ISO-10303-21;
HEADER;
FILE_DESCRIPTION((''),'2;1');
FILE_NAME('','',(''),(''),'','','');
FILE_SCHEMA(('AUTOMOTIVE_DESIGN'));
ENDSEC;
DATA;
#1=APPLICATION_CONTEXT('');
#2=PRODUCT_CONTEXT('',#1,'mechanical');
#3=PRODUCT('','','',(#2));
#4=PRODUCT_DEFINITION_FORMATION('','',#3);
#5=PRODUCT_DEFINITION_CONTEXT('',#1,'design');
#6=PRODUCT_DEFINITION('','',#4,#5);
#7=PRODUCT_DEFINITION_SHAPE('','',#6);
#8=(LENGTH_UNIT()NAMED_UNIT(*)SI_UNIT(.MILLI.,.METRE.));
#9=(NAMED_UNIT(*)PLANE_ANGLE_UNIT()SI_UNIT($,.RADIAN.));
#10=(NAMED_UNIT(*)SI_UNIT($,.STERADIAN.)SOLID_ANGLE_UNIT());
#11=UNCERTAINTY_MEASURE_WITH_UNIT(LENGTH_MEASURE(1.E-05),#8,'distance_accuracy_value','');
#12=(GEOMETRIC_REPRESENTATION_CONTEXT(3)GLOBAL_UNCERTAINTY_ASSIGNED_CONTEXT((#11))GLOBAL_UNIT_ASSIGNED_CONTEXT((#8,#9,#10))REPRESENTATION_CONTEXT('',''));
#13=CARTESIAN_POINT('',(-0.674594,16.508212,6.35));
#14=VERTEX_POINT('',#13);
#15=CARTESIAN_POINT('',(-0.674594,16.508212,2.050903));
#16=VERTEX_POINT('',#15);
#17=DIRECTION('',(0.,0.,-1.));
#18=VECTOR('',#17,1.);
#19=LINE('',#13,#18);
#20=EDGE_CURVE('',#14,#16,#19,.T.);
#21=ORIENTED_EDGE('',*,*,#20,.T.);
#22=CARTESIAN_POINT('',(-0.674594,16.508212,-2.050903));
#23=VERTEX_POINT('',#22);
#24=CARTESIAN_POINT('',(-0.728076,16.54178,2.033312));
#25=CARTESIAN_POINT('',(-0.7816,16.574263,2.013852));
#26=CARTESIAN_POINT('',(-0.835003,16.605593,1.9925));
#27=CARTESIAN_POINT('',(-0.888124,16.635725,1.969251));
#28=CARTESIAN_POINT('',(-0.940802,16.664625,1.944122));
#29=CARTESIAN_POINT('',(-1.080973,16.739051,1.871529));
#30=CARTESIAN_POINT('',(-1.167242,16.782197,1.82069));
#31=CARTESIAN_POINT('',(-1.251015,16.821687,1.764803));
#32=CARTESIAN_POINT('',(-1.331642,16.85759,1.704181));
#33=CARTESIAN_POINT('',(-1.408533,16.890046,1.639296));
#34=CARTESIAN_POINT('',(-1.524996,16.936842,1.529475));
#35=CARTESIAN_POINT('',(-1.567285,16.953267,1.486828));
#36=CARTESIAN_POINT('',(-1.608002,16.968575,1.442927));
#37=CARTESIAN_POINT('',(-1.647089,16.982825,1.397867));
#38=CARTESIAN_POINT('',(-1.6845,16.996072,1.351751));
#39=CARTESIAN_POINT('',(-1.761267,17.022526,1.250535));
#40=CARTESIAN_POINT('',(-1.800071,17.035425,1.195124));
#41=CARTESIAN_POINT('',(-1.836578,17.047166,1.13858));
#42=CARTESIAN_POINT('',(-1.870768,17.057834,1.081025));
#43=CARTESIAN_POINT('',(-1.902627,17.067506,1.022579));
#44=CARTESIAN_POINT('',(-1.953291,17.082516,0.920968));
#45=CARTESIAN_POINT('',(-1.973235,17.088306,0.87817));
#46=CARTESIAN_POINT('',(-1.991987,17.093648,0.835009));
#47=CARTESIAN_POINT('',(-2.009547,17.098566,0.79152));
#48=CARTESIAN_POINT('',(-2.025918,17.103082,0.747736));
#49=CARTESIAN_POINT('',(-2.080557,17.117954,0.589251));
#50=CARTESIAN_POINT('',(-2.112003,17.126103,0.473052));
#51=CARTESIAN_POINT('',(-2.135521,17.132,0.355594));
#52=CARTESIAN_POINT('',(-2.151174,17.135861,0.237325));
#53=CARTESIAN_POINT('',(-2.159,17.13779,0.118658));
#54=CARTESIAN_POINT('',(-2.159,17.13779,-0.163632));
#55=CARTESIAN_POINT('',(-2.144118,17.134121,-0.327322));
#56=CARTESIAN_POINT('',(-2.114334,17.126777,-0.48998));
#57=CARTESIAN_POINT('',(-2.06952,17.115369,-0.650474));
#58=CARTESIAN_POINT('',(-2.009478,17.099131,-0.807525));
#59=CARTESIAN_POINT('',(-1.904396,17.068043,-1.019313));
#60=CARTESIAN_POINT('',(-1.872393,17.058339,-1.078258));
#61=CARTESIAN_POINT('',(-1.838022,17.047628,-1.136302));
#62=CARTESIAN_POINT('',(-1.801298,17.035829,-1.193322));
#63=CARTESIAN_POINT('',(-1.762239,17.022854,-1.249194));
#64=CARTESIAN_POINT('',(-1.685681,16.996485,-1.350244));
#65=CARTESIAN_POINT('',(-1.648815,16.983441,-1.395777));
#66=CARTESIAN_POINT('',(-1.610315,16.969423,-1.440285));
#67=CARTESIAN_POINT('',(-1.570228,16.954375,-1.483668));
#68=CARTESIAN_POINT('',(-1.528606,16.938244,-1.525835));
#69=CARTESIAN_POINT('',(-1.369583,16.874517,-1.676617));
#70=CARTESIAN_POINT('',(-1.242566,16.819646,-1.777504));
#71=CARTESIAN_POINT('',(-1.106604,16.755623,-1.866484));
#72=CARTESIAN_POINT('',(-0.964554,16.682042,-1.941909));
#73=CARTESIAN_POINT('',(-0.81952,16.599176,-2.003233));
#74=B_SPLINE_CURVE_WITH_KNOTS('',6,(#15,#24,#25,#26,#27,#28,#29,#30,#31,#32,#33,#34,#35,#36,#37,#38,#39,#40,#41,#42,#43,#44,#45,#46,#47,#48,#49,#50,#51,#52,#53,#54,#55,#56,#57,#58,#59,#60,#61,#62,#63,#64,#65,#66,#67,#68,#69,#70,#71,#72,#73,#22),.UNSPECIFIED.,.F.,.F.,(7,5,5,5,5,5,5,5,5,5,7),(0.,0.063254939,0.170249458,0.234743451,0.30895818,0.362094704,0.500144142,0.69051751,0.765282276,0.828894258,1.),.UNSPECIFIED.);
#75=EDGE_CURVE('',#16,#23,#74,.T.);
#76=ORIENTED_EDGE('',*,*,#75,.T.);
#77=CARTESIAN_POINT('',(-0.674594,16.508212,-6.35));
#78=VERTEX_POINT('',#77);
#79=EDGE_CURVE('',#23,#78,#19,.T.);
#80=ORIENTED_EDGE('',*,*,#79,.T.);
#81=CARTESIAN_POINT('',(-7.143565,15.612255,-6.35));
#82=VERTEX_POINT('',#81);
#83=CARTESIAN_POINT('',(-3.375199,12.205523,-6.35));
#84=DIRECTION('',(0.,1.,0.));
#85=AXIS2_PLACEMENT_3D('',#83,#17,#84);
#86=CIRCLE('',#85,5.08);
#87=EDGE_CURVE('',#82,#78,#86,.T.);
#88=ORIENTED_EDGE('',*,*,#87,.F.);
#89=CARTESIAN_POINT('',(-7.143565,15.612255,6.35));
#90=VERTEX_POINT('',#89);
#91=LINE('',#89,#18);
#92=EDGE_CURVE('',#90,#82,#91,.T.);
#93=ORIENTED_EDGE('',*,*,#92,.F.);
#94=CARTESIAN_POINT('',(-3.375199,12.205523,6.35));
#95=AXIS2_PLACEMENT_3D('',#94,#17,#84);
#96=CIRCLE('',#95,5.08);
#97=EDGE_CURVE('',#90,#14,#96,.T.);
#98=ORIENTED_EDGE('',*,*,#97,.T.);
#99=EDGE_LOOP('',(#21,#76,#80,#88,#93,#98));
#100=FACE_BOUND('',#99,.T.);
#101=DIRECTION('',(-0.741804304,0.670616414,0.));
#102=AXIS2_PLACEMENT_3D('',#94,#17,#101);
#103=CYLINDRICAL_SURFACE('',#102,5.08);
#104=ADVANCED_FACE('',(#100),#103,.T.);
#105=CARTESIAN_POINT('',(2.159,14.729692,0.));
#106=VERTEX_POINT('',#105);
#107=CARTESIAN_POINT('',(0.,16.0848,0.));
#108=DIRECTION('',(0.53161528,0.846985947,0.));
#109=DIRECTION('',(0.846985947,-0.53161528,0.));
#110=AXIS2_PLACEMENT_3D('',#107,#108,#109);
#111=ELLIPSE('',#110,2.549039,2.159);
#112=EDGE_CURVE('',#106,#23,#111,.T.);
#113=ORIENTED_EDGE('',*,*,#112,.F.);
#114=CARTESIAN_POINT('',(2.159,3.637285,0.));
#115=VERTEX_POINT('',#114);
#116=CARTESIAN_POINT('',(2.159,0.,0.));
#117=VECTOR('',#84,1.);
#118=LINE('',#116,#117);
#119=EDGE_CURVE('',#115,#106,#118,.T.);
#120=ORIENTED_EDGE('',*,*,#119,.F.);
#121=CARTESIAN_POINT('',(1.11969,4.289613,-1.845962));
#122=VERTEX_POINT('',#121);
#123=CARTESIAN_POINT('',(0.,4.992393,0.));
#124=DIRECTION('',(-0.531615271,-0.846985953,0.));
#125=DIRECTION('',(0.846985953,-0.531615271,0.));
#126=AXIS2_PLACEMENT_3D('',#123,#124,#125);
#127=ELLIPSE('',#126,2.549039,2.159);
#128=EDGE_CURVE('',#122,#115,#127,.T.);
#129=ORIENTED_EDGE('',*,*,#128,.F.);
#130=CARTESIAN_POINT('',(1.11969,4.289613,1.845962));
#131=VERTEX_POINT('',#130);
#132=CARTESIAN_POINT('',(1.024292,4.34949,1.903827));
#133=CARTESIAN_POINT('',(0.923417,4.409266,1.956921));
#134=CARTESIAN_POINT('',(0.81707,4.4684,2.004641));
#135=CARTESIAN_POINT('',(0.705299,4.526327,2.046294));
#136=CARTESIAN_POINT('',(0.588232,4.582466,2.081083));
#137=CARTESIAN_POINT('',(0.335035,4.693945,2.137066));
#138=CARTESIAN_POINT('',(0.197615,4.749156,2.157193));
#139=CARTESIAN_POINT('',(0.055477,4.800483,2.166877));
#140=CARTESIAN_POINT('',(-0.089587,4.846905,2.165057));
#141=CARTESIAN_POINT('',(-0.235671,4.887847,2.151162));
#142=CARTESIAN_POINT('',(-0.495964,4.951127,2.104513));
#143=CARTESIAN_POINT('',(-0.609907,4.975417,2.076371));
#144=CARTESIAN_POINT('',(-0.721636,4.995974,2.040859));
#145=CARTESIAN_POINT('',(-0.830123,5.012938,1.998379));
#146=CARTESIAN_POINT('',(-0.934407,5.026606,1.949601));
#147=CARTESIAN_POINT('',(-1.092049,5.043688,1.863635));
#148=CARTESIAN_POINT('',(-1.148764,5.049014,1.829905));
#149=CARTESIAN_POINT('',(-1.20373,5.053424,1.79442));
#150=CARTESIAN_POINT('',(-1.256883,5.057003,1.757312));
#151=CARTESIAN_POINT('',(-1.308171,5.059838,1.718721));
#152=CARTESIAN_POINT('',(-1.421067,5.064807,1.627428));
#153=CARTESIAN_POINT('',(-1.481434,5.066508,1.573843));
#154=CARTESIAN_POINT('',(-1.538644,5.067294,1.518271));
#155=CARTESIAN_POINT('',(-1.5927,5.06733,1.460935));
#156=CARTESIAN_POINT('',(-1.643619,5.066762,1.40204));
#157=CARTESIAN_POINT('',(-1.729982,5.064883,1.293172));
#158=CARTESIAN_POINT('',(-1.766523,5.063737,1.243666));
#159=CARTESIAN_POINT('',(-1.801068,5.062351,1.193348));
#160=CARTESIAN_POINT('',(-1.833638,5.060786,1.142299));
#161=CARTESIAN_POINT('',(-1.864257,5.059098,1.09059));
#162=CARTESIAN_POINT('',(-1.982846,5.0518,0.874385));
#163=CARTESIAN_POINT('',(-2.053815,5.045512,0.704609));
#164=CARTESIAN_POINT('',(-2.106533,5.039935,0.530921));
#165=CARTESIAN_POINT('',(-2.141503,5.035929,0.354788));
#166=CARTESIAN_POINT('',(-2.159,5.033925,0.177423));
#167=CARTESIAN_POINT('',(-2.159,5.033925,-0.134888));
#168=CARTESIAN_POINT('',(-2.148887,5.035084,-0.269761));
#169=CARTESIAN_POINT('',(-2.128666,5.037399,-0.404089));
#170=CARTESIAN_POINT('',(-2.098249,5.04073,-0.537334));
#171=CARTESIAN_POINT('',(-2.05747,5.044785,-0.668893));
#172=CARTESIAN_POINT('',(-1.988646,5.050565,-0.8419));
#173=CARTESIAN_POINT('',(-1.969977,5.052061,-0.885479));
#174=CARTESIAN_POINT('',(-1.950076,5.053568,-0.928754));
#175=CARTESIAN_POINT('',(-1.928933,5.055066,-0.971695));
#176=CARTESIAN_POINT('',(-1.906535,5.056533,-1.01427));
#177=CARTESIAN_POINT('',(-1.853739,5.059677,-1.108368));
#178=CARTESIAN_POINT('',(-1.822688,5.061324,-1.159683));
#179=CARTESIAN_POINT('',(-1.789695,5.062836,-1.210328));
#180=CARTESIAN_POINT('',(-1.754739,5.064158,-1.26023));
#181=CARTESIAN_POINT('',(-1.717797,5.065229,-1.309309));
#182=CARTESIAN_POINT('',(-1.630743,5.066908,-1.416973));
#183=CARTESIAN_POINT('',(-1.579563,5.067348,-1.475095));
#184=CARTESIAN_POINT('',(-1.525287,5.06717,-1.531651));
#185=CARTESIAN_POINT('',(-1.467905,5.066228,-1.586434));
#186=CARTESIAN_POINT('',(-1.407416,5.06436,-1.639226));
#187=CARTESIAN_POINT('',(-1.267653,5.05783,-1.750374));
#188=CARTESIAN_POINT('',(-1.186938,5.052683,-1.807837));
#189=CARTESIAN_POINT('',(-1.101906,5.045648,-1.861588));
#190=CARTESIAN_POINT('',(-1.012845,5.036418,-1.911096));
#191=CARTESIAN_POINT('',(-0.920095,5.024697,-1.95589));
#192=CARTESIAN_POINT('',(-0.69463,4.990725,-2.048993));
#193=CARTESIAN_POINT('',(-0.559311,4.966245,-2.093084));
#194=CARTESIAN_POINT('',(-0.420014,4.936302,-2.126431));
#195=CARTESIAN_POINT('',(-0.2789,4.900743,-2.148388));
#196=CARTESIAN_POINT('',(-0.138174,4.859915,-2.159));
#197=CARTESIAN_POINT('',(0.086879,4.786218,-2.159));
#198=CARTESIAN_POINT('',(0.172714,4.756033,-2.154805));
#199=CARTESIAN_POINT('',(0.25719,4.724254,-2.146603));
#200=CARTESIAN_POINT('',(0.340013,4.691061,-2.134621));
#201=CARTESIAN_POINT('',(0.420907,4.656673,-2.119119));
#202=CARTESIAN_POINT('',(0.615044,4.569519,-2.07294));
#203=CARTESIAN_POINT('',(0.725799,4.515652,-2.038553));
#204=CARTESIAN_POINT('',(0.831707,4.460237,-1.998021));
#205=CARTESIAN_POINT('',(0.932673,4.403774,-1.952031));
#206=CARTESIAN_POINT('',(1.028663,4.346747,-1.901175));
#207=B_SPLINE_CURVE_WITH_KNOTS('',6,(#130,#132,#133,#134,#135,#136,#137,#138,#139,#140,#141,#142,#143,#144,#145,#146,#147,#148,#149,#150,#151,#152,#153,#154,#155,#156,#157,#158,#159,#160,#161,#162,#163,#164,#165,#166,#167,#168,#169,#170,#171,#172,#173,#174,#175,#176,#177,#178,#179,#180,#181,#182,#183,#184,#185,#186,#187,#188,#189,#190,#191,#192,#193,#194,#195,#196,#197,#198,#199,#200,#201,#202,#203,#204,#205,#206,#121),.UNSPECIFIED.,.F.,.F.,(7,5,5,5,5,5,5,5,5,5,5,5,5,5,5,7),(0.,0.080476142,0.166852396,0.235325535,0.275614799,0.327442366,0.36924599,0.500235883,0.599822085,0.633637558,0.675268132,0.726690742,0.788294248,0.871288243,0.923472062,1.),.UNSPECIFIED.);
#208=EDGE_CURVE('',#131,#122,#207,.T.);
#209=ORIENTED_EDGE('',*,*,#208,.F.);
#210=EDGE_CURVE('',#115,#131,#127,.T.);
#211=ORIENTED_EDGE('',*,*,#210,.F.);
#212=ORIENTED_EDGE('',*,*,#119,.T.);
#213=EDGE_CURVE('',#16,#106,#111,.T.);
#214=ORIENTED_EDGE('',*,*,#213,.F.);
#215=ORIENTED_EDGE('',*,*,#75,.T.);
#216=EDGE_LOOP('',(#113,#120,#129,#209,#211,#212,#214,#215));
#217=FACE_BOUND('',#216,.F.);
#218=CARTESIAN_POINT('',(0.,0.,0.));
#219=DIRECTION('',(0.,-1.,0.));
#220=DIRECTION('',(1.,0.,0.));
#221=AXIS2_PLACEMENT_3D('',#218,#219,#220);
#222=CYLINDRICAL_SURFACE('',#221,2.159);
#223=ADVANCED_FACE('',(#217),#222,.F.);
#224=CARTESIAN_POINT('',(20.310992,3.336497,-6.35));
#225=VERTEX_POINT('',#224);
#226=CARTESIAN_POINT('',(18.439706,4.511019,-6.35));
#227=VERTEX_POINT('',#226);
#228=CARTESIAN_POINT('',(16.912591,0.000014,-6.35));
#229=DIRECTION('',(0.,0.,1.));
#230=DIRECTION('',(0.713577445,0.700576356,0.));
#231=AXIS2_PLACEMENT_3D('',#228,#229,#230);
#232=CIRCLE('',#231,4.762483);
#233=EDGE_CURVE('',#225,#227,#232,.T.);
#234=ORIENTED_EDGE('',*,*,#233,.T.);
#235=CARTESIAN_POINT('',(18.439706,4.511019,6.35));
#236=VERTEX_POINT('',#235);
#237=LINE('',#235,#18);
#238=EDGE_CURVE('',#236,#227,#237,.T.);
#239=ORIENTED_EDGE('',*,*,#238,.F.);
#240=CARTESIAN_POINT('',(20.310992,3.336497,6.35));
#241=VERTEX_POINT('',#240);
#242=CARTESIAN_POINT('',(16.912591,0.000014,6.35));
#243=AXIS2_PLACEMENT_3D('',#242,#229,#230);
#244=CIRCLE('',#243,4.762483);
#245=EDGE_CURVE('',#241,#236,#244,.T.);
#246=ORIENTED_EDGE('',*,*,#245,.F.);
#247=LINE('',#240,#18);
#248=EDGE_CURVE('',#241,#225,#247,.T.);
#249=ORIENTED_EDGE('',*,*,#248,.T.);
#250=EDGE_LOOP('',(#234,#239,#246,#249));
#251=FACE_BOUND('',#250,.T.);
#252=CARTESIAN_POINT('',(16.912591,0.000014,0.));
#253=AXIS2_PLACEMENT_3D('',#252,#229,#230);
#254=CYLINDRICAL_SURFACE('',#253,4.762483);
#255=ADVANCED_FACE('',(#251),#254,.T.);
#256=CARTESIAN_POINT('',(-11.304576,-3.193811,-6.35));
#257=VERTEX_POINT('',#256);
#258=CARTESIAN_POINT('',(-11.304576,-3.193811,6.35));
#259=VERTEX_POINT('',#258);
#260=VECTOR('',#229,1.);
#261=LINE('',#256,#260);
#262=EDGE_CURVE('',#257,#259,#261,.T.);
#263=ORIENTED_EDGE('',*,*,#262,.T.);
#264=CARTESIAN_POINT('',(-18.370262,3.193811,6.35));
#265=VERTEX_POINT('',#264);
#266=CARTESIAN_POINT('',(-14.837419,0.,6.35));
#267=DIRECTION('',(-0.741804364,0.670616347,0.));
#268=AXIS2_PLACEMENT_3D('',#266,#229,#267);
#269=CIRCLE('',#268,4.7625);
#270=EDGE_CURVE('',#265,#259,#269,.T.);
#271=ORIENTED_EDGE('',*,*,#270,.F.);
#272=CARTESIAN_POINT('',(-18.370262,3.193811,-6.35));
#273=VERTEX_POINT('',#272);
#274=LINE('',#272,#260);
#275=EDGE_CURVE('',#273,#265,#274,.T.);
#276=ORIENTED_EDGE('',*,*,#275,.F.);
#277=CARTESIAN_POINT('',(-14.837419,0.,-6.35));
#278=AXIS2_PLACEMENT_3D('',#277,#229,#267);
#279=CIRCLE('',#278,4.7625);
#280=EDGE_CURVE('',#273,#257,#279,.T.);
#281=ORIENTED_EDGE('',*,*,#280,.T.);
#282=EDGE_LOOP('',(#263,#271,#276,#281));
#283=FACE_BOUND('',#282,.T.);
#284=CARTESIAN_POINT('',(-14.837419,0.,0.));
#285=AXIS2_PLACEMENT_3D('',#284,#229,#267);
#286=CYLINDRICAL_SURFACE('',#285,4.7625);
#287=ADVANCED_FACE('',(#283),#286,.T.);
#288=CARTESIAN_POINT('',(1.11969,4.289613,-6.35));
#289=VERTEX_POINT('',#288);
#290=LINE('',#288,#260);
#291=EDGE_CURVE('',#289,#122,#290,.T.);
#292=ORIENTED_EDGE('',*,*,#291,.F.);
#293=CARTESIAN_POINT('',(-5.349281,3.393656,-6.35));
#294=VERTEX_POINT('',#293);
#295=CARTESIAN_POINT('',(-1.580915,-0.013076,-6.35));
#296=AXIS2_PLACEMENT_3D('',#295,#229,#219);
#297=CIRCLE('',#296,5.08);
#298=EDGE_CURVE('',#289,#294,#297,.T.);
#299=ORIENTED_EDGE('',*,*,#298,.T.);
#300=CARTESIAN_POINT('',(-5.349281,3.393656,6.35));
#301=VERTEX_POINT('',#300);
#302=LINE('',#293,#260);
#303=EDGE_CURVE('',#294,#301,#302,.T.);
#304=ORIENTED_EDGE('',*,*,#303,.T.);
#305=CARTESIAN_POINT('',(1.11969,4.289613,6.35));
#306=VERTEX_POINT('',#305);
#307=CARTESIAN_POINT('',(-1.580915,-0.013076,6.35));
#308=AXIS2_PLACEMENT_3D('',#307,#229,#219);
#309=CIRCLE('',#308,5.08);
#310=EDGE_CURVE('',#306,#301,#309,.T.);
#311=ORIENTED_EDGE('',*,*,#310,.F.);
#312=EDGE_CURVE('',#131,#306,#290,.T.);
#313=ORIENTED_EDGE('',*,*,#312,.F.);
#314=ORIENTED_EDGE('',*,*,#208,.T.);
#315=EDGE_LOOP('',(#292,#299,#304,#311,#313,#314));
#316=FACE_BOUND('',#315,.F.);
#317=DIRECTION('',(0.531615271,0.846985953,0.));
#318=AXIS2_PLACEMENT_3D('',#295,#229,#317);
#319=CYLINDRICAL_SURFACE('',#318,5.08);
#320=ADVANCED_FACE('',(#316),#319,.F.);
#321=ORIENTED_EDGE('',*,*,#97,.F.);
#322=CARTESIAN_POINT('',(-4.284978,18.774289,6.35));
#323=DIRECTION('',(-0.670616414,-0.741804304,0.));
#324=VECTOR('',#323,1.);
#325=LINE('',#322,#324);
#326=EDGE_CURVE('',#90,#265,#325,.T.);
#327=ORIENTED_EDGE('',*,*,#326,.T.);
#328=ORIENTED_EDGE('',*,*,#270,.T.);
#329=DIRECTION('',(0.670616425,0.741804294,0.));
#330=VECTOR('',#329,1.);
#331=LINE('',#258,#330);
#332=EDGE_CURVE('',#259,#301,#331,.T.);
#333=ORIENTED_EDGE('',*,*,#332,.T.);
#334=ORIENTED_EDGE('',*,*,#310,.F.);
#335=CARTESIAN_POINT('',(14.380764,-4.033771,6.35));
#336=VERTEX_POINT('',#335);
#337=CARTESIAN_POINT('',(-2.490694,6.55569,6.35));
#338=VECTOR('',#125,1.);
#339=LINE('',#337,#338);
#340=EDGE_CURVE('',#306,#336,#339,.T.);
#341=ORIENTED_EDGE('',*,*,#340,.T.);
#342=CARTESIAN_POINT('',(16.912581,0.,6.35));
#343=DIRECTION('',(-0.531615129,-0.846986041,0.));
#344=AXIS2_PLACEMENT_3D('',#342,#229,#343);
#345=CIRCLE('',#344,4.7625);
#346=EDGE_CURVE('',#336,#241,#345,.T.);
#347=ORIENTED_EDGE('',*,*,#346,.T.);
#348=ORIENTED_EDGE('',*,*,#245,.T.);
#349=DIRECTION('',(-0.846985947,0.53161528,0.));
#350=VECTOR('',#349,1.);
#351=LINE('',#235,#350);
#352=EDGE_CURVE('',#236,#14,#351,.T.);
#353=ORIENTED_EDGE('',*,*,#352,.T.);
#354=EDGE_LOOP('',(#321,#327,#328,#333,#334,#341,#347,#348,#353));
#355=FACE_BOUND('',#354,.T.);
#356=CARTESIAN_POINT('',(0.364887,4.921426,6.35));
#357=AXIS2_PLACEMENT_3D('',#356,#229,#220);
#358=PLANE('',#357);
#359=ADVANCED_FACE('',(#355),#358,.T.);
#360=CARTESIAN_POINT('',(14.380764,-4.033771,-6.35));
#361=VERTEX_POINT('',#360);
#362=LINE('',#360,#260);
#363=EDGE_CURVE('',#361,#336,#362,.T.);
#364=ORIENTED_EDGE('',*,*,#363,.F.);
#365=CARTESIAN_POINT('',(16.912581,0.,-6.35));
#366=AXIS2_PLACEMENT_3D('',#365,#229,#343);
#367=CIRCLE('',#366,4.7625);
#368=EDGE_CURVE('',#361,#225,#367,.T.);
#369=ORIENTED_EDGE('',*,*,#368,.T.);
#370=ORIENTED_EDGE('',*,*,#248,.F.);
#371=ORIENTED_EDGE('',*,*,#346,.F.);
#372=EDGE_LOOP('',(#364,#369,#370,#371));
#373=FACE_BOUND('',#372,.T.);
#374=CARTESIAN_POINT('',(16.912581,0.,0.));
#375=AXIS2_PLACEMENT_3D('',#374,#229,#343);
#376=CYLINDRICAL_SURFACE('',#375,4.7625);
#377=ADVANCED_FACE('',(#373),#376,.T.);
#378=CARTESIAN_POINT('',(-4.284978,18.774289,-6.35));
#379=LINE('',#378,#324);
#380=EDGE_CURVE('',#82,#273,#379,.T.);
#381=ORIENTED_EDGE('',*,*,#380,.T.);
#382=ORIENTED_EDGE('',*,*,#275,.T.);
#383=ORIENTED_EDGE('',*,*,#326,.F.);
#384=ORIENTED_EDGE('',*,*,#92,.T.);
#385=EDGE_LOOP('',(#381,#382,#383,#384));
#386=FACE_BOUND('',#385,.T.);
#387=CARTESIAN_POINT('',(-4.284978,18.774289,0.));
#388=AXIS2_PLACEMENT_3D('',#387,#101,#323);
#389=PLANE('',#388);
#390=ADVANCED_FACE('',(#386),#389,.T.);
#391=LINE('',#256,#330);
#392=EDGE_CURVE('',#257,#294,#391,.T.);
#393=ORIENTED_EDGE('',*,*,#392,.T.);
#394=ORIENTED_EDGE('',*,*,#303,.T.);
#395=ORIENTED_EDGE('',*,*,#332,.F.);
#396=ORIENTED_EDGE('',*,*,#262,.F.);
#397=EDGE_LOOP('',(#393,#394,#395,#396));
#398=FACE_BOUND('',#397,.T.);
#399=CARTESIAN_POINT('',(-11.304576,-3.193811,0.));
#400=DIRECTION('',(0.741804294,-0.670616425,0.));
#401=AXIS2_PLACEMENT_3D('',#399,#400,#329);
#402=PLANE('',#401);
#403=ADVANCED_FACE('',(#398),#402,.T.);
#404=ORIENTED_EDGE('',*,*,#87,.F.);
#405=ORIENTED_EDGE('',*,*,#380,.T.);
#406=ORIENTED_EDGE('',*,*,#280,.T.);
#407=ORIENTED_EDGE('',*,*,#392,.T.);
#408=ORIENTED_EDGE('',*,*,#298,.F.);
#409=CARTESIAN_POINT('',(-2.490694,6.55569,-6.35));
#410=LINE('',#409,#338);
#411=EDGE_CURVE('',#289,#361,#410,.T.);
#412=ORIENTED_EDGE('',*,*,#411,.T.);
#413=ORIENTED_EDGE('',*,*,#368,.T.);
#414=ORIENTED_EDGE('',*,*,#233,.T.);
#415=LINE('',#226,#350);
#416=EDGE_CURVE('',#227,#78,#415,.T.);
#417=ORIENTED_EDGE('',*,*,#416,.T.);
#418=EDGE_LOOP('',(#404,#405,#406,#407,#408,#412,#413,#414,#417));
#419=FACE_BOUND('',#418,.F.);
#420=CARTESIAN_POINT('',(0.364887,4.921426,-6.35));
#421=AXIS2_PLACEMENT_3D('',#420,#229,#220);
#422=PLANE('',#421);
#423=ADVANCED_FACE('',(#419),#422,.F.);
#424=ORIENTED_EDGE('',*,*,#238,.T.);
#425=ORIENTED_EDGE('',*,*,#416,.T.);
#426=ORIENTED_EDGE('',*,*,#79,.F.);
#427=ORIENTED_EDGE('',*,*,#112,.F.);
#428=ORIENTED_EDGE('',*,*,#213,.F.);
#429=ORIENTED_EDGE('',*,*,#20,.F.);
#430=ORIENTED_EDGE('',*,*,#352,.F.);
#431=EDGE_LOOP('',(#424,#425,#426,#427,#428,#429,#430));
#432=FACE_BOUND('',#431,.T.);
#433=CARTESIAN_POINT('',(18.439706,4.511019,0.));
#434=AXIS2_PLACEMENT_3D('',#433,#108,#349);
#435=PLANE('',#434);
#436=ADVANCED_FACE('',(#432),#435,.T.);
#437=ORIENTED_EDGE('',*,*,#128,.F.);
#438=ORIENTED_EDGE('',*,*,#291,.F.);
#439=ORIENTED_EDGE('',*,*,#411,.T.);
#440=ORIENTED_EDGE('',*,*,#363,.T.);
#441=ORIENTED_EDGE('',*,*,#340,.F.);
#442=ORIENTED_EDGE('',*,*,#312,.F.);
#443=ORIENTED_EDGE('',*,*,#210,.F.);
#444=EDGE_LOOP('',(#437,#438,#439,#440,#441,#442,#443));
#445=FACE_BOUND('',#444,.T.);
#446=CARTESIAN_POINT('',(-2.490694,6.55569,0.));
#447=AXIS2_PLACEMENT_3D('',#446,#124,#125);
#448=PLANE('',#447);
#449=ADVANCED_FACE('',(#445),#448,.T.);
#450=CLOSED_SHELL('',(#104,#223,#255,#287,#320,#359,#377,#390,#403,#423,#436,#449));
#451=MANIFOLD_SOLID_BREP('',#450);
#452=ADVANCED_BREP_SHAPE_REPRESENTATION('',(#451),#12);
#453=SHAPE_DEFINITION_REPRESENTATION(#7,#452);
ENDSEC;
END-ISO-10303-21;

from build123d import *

# Parameters (mm, degrees)
F1_DEPTH = 6.35
F2_R     = 5.08
F3_R     = 2.159
F4_DEPTH = 17.286523


with BuildPart() as f1:
    # F0 (on Top) → F1 (new body, symmetric)
    with BuildSketch(Plane.XY):
        with BuildLine():
            Line((-4.284978, 18.774289), (-18.370262, 3.193811))
            ThreePointArc((-18.370262, 3.193811), (-18.031229, -3.532843), (-11.304576, -3.193811))
            Line((-11.304576, -3.193811), (-2.490694, 6.55569))
            Line((-2.490694, 6.55569), (14.380764, -4.033771))
            ThreePointArc((14.380764, -4.033771), (20.623101, -2.98554), (20.310992, 3.336497))
            Line((20.310992, 3.336497), (18.439706, 4.511019))
            Line((18.439706, 4.511019), (-4.284978, 18.774289))
        make_face()
        with BuildLine():
            ThreePointArc((20.310992, 3.336497), (19.444399, 4.033771), (18.439706, 4.511019))
            Line((18.439706, 4.511019), (20.310992, 3.336497))
        make_face()
    extrude(amount=F1_DEPTH, both=True)

    # F2
    f2_edges = [f1.edges().sort_by_distance(p)[0] for p in [
        (-4.284978, 18.774289, 0),
        (-2.490694, 6.55569, 0),
    ]]
    fillet(f2_edges, radius=F2_R)

    # F3 (on Front) → F4 (cut, through all)
    with BuildSketch(Plane.XZ):
        Circle(F3_R)
    extrude(amount=-F4_DEPTH, mode=Mode.SUBTRACT)


solid = f1.part
